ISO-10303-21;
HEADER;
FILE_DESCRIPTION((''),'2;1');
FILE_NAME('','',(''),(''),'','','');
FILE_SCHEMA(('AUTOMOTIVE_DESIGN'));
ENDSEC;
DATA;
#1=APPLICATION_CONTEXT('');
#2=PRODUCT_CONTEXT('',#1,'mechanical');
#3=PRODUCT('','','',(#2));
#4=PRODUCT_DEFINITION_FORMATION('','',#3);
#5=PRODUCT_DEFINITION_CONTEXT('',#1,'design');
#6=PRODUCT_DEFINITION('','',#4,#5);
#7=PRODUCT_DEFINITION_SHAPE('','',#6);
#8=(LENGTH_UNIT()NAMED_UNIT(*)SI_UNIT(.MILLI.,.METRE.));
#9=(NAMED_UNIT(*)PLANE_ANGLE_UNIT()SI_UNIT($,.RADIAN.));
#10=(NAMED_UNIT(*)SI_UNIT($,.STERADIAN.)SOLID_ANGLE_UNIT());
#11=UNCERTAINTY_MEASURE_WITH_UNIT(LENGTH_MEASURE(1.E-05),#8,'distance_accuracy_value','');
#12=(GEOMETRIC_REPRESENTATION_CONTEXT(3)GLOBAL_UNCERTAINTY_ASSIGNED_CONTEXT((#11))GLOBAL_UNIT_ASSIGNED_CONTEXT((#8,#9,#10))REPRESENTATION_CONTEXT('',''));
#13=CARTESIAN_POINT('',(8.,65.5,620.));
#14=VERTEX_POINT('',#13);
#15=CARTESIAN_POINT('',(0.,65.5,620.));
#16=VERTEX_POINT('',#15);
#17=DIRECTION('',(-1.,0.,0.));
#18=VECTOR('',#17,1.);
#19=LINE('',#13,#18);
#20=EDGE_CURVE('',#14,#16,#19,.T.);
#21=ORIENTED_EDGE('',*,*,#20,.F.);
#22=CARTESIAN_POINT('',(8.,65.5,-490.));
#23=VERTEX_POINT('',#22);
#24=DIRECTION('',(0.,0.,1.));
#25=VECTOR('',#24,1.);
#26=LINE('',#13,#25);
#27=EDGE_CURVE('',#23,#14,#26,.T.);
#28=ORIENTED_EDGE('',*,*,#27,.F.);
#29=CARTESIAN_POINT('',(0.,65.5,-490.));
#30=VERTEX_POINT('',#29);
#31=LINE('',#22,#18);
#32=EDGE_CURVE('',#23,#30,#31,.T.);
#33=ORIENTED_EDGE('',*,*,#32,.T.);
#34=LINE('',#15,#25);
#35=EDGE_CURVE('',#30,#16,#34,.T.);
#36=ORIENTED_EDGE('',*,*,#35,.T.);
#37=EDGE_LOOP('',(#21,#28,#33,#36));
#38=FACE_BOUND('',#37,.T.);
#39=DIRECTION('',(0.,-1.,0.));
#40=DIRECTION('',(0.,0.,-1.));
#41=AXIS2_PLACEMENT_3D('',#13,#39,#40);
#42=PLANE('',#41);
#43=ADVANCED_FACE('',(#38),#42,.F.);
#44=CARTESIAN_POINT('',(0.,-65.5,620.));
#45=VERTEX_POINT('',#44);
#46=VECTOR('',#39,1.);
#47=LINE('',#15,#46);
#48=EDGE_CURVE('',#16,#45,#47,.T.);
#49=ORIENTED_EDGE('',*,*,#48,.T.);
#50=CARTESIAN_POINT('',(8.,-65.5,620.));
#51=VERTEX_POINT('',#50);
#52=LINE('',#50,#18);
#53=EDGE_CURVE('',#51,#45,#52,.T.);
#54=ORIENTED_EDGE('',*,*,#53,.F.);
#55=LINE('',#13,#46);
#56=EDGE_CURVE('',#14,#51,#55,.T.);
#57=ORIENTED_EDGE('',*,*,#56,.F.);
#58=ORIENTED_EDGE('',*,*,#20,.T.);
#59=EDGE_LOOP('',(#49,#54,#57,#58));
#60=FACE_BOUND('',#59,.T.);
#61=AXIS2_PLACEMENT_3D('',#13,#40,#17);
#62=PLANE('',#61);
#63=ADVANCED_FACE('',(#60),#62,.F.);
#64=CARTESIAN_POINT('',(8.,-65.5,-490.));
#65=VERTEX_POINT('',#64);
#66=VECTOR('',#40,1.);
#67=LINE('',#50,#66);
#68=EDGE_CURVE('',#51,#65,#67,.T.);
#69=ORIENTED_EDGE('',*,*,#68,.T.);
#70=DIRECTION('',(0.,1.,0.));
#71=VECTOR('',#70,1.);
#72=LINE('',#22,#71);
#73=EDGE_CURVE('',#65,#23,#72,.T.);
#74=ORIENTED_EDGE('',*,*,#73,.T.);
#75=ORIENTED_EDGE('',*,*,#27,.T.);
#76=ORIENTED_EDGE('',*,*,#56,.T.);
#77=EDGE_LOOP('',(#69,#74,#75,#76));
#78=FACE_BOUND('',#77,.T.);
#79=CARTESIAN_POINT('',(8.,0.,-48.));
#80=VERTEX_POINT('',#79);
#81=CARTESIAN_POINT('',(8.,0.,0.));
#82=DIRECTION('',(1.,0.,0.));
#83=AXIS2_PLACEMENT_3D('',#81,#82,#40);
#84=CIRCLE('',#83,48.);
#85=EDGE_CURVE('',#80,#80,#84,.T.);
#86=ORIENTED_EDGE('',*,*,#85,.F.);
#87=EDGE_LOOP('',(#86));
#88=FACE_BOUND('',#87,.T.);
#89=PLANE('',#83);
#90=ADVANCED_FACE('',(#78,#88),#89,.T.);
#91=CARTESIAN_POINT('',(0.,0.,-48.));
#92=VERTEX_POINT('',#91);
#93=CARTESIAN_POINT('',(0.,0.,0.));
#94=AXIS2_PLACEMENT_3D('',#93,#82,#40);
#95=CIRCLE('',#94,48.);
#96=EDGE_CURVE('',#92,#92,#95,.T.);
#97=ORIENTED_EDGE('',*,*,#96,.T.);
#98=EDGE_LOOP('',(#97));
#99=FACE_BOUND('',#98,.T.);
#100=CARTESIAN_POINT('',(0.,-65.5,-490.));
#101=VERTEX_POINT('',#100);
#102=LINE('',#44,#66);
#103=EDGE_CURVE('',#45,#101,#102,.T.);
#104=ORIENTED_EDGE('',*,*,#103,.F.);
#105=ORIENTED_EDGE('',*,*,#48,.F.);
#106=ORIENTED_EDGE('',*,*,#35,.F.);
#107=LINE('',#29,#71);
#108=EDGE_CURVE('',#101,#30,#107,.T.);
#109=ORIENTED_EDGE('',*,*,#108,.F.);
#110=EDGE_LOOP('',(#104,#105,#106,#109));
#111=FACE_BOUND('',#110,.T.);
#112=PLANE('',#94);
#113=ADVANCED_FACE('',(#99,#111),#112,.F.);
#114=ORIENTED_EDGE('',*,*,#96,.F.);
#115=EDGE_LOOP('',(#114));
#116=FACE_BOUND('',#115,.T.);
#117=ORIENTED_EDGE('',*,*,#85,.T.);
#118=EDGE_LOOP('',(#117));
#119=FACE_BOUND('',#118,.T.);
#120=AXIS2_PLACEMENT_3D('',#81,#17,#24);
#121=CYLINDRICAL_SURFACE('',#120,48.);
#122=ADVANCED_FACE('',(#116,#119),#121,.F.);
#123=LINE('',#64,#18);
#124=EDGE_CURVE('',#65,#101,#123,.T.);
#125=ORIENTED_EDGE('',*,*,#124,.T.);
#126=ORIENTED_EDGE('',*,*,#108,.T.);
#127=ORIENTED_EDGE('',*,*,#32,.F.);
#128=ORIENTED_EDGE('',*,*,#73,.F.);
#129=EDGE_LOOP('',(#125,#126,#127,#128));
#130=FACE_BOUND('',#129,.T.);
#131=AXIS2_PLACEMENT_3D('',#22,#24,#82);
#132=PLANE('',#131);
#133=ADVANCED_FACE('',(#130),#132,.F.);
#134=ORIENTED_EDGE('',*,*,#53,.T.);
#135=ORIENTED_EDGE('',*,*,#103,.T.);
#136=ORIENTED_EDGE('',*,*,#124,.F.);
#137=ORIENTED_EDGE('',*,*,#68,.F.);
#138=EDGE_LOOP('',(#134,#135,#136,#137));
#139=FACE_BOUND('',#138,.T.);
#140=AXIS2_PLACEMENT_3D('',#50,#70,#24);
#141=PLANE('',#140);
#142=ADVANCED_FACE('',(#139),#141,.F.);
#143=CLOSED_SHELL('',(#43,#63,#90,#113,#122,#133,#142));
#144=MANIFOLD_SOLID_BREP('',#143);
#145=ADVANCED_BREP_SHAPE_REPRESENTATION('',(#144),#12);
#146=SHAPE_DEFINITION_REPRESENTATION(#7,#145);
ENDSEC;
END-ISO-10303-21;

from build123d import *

# Parameters (mm, degrees)
SKETCH_1_W      = 1110
SKETCH_1_H      = 131
SKETCH_1_R      = 48
EXTRUDE_1_DEPTH = 8


with BuildPart() as part:
    # 草图1 → 凸台-拉伸1 (new body)
    with BuildSketch(Plane(origin=(0, 0, 0), x_dir=(0, 0, -1), z_dir=(1, 0, 0))):
        with Locations((-65, 0)):
            Rectangle(SKETCH_1_W, SKETCH_1_H)
        Circle(SKETCH_1_R, mode=Mode.SUBTRACT)
    extrude(amount=EXTRUDE_1_DEPTH)


solid = part.part
